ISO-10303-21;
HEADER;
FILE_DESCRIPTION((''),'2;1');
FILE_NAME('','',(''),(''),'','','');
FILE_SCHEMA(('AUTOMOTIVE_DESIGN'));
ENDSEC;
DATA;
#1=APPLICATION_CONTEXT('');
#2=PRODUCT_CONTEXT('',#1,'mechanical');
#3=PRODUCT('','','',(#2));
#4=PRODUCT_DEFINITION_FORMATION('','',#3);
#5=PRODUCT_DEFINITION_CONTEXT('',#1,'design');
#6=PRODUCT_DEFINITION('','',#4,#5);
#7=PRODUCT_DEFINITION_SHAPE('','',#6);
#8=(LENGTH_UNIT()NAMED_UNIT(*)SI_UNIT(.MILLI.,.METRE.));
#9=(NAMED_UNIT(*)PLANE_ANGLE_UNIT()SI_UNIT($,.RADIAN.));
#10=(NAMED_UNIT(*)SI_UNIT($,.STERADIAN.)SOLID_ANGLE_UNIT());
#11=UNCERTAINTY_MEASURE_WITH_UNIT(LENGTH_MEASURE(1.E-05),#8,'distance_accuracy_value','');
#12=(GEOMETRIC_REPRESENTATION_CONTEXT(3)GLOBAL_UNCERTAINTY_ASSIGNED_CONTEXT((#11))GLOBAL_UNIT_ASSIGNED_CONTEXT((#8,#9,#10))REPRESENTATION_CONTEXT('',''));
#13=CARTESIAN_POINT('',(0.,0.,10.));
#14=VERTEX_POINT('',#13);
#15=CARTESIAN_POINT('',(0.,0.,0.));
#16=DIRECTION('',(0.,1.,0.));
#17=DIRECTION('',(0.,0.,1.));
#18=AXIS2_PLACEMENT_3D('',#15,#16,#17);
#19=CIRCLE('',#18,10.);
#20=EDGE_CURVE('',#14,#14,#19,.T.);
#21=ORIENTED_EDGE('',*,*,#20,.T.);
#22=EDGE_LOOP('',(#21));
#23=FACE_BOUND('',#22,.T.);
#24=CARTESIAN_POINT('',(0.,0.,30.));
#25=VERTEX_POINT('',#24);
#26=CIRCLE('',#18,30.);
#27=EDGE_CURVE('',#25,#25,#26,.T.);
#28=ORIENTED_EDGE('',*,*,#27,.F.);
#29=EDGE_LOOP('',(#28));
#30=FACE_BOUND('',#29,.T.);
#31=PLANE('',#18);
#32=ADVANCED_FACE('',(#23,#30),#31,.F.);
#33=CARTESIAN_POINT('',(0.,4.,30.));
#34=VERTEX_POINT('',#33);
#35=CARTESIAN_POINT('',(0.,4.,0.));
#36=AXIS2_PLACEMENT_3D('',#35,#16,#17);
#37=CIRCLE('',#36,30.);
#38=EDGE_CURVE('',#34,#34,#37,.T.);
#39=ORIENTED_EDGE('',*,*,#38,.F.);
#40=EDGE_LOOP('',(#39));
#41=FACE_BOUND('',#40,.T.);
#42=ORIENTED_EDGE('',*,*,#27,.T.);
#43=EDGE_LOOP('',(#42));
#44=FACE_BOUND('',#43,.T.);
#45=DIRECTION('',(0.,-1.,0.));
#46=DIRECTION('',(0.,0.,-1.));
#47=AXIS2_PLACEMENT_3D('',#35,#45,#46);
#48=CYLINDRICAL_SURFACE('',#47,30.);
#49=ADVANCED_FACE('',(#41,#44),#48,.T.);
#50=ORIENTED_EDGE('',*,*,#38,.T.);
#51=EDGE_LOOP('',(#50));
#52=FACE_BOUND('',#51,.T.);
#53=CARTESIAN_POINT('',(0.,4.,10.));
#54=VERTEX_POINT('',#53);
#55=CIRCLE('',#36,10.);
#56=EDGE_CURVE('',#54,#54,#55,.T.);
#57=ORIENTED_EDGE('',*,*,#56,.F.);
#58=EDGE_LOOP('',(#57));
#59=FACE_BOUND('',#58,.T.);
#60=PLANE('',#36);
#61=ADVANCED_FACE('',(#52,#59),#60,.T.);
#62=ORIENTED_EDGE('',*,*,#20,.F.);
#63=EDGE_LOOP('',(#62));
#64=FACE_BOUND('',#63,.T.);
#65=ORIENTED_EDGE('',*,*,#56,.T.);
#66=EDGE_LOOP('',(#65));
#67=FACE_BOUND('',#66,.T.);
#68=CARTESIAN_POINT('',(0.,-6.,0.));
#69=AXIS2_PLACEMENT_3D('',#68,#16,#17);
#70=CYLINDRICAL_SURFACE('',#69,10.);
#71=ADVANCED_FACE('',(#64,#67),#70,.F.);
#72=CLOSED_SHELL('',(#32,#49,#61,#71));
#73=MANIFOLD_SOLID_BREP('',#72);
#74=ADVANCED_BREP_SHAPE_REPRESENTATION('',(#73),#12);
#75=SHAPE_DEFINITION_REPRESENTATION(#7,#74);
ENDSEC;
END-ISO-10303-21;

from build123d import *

# Parameters (mm, degrees)
SKETCH1_R           = 30
BOSS_EXTRUDE1_DEPTH = 4
SKETCH2_R           = 10
CUT_EXTRUDE1_DEPTH  = 10


with BuildPart() as part:
    # Sketch1 → Boss-Extrude1 (new body)
    with BuildSketch(Plane(origin=(0, 0, 0), x_dir=(1, 0, 0), z_dir=(0, 1, 0))):
        Circle(SKETCH1_R)
    extrude(amount=BOSS_EXTRUDE1_DEPTH)

    # Sketch2 → Cut-Extrude1 (cut)
    with BuildSketch(Plane(origin=(0, 4, 0), x_dir=(1, 0, 0), z_dir=(0, 1, 0))):
        Circle(SKETCH2_R)
    extrude(amount=-CUT_EXTRUDE1_DEPTH, mode=Mode.SUBTRACT)


solid = part.part
